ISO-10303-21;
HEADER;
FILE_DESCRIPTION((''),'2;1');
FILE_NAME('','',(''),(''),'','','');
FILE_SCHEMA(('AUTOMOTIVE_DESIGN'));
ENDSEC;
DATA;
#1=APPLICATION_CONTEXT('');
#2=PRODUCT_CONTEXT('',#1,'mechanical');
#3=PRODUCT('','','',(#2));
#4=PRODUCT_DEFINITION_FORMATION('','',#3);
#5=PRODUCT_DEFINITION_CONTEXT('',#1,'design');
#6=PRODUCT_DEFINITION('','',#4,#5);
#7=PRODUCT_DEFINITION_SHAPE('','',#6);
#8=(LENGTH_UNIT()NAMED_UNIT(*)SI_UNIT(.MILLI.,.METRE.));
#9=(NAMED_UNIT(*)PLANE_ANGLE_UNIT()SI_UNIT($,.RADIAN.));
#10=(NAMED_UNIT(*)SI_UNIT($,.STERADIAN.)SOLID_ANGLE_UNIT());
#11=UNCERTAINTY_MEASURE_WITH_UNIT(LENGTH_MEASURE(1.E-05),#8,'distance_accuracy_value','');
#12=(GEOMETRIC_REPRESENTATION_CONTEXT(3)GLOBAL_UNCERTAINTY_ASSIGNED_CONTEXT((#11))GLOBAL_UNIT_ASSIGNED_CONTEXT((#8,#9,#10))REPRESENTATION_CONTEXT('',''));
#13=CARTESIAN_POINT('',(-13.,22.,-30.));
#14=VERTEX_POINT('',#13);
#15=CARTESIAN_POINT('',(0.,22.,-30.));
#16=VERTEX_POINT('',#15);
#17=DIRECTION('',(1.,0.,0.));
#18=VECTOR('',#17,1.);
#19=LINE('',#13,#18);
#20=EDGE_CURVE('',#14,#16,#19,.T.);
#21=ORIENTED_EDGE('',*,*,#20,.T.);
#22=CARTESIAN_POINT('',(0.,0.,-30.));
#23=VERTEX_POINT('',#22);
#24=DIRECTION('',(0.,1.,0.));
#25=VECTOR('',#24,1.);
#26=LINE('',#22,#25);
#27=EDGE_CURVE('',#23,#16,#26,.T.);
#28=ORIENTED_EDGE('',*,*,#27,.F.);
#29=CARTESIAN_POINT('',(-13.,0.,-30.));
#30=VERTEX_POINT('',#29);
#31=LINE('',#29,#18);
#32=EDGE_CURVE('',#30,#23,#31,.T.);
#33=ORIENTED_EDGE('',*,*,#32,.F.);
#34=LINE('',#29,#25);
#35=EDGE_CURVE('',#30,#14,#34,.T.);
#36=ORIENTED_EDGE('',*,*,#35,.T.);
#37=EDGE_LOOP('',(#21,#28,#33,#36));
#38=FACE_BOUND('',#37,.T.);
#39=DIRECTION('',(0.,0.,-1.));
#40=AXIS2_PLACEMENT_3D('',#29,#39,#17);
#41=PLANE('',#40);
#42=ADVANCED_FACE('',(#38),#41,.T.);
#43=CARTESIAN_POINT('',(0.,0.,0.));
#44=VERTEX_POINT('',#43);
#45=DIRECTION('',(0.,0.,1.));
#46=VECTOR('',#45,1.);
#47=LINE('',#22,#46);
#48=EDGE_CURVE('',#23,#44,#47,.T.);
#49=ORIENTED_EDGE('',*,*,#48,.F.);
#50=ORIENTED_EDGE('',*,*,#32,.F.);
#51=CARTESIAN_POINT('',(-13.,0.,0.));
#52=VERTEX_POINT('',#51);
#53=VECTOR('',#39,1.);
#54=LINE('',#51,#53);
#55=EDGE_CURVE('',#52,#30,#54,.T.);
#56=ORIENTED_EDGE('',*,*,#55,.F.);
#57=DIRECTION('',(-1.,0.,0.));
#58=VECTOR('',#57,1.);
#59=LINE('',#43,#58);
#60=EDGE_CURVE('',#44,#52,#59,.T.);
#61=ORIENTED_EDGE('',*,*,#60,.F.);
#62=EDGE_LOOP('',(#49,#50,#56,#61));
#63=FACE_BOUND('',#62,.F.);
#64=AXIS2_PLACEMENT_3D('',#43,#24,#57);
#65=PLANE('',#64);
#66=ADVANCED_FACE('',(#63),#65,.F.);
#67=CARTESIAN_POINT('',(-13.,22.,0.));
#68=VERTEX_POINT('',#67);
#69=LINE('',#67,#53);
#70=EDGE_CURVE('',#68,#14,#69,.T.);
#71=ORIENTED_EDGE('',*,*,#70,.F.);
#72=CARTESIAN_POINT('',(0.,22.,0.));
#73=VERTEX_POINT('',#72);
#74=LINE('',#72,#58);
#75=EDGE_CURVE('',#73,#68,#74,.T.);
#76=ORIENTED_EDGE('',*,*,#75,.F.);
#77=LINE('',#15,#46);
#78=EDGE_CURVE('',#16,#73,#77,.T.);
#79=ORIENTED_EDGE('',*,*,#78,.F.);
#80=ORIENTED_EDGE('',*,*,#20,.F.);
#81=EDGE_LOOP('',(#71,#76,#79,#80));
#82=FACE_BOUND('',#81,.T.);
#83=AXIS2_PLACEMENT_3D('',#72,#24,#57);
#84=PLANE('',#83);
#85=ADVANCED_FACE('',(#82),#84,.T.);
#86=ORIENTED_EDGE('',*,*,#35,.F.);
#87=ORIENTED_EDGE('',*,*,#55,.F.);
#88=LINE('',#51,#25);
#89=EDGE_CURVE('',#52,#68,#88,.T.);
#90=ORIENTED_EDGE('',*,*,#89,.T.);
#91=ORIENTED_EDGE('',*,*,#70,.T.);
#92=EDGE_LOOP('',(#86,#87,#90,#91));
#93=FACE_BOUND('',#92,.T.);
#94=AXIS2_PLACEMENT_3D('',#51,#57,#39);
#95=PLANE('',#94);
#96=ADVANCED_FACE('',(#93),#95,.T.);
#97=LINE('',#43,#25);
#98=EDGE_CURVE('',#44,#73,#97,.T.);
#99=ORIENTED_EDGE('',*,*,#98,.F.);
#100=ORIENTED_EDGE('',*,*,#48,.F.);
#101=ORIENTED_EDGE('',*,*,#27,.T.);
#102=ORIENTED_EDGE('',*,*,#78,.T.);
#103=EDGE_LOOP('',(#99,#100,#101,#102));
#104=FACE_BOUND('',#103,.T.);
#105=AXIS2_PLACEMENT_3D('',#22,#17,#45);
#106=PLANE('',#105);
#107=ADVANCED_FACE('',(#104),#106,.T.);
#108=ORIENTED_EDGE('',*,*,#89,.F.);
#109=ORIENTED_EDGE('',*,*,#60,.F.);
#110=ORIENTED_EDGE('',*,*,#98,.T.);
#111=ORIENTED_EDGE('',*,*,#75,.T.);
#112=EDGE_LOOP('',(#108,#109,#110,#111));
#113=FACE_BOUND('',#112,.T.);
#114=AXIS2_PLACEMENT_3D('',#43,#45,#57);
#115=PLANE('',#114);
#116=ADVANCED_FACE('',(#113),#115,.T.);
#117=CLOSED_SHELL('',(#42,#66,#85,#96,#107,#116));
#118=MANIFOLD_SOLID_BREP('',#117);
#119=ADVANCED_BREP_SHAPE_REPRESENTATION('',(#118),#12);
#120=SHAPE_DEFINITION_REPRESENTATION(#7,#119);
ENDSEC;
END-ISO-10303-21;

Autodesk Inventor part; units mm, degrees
ref_plane "YZ Plane" through (0, 0, 0) normal (1, 0, 0) x (0, 1, 0)
ref_plane "XZ Plane" through (0, 0, 0) normal (0, 1, 0) x (-1, 0, 0)
ref_plane "XY Plane" through (0, 0, 0) normal (0, 0, 1) x (1, 0, 0)
sketch "スケッチ1" plane through (0, 0, 0) normal (0, 1, 0) x (-1, 0, 0)
  line L0 (0, 0) -> (13, 0)
  line L1 (13, 0) -> (13, -30)
  line L2 (13, -30) -> (0, -30)
  line L3 (0, -30) -> (0, 0)
  dimension "d0" = 13
  dimension "d1" = 30
extrude "押し出し1" add sketch "スケッチ1" along normal blind 22
properties part number "距離センサ小"
